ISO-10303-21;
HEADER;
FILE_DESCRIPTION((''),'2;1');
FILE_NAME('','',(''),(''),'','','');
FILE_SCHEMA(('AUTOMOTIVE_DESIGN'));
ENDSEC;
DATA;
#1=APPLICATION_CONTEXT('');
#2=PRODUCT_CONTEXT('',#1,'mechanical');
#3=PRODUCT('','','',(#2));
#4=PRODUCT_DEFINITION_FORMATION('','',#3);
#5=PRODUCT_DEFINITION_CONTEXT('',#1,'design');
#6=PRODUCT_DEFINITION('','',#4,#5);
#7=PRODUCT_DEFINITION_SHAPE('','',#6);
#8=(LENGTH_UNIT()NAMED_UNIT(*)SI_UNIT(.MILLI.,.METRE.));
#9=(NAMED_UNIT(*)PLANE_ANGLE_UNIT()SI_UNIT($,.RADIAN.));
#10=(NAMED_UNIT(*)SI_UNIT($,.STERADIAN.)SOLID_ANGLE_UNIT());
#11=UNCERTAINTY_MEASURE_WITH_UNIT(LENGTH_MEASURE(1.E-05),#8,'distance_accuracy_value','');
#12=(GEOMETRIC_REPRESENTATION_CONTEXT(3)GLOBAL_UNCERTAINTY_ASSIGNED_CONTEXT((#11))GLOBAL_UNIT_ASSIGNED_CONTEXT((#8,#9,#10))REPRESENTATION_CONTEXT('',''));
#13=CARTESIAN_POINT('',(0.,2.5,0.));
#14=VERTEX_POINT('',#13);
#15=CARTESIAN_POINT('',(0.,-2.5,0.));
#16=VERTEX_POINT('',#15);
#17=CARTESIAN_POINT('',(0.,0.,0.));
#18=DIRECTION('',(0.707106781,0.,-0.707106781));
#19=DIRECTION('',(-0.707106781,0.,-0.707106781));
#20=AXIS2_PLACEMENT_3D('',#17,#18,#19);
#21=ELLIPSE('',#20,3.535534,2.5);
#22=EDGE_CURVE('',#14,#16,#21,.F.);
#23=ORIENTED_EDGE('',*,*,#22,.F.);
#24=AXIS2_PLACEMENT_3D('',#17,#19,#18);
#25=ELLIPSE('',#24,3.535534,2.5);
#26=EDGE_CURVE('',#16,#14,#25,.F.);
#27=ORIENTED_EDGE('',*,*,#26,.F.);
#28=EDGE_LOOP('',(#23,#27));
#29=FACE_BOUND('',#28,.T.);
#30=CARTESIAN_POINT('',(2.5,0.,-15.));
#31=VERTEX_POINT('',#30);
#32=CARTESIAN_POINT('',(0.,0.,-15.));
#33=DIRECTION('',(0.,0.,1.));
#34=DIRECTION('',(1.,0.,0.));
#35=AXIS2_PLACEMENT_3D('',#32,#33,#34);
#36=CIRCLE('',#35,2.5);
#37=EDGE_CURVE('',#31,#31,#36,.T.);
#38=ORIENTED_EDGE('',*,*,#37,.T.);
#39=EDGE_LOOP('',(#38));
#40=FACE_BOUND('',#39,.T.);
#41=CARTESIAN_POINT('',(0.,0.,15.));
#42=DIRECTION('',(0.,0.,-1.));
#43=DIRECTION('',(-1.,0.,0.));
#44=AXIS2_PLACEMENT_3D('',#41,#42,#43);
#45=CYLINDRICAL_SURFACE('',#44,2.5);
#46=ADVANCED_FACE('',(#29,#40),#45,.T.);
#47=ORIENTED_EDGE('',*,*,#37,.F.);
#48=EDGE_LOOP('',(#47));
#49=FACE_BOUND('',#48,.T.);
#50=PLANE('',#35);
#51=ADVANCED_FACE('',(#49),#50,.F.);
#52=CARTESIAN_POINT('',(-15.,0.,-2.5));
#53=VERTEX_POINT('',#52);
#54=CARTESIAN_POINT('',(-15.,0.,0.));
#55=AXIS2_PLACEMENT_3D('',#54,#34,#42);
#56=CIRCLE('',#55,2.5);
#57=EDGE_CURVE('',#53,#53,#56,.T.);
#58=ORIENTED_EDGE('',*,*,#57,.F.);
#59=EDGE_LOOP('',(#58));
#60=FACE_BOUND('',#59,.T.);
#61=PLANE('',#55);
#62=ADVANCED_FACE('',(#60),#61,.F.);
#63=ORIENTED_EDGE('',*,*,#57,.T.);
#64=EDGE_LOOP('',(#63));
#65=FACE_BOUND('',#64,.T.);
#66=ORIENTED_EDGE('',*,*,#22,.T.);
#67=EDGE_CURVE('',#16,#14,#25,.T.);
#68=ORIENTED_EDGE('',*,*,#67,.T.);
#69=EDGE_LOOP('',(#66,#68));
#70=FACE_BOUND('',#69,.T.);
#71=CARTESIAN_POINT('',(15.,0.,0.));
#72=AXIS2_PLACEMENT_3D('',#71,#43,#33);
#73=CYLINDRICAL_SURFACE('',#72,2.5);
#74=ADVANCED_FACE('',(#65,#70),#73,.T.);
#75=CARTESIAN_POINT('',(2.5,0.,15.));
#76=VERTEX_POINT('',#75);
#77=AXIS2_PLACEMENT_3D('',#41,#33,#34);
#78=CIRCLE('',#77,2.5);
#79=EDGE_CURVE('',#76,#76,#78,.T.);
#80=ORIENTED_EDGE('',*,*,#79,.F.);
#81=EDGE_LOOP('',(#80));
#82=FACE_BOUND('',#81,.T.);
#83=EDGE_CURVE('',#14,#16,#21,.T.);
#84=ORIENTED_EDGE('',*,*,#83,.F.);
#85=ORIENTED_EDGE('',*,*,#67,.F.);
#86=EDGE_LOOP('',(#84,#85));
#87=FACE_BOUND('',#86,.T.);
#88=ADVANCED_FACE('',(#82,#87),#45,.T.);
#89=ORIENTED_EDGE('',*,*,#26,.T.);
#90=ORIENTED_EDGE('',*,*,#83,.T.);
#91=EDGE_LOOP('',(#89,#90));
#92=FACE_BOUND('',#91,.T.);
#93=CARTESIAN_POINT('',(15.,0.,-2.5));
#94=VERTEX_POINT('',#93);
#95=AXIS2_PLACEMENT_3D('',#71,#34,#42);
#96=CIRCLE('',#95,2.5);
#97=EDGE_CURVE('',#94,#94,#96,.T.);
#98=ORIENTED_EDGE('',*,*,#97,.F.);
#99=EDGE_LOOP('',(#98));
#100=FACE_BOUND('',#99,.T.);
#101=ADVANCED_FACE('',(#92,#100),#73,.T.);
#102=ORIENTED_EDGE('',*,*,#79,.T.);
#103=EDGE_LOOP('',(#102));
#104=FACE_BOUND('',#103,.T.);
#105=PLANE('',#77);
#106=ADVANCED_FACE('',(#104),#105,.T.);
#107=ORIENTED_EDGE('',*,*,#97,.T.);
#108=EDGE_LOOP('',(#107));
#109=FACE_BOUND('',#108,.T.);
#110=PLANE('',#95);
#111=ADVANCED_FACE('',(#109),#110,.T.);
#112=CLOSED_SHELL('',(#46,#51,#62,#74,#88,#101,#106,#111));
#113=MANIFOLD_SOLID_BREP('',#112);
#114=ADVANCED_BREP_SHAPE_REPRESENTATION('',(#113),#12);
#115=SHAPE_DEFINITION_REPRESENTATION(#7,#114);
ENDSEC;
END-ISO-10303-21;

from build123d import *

# Parameters (mm, degrees)
ESQUISSE1_R        = 2.5
BOSS_EXTRU_1_DEPTH = 15
ESQUISSE3_R        = 2.5
BOSS_EXTRU_2_DEPTH = 15


with BuildPart() as part:
    # Esquisse1 → Boss.-Extru.1 (new body, symmetric)
    with BuildSketch(Plane.XY):
        Circle(ESQUISSE1_R)
    extrude(amount=BOSS_EXTRU_1_DEPTH, both=True)

    # Esquisse3 → Boss.-Extru.2 (add, symmetric)
    with BuildSketch(Plane(origin=(0, 0, 0), x_dir=(0, 0, -1), z_dir=(1, 0, 0))):
        with Locations(Location((0, 0, 0), (0, 0, 270))):  # turned: the seam where the file's is
            Circle(ESQUISSE3_R)
    extrude(amount=BOSS_EXTRU_2_DEPTH, both=True)


solid = part.part
